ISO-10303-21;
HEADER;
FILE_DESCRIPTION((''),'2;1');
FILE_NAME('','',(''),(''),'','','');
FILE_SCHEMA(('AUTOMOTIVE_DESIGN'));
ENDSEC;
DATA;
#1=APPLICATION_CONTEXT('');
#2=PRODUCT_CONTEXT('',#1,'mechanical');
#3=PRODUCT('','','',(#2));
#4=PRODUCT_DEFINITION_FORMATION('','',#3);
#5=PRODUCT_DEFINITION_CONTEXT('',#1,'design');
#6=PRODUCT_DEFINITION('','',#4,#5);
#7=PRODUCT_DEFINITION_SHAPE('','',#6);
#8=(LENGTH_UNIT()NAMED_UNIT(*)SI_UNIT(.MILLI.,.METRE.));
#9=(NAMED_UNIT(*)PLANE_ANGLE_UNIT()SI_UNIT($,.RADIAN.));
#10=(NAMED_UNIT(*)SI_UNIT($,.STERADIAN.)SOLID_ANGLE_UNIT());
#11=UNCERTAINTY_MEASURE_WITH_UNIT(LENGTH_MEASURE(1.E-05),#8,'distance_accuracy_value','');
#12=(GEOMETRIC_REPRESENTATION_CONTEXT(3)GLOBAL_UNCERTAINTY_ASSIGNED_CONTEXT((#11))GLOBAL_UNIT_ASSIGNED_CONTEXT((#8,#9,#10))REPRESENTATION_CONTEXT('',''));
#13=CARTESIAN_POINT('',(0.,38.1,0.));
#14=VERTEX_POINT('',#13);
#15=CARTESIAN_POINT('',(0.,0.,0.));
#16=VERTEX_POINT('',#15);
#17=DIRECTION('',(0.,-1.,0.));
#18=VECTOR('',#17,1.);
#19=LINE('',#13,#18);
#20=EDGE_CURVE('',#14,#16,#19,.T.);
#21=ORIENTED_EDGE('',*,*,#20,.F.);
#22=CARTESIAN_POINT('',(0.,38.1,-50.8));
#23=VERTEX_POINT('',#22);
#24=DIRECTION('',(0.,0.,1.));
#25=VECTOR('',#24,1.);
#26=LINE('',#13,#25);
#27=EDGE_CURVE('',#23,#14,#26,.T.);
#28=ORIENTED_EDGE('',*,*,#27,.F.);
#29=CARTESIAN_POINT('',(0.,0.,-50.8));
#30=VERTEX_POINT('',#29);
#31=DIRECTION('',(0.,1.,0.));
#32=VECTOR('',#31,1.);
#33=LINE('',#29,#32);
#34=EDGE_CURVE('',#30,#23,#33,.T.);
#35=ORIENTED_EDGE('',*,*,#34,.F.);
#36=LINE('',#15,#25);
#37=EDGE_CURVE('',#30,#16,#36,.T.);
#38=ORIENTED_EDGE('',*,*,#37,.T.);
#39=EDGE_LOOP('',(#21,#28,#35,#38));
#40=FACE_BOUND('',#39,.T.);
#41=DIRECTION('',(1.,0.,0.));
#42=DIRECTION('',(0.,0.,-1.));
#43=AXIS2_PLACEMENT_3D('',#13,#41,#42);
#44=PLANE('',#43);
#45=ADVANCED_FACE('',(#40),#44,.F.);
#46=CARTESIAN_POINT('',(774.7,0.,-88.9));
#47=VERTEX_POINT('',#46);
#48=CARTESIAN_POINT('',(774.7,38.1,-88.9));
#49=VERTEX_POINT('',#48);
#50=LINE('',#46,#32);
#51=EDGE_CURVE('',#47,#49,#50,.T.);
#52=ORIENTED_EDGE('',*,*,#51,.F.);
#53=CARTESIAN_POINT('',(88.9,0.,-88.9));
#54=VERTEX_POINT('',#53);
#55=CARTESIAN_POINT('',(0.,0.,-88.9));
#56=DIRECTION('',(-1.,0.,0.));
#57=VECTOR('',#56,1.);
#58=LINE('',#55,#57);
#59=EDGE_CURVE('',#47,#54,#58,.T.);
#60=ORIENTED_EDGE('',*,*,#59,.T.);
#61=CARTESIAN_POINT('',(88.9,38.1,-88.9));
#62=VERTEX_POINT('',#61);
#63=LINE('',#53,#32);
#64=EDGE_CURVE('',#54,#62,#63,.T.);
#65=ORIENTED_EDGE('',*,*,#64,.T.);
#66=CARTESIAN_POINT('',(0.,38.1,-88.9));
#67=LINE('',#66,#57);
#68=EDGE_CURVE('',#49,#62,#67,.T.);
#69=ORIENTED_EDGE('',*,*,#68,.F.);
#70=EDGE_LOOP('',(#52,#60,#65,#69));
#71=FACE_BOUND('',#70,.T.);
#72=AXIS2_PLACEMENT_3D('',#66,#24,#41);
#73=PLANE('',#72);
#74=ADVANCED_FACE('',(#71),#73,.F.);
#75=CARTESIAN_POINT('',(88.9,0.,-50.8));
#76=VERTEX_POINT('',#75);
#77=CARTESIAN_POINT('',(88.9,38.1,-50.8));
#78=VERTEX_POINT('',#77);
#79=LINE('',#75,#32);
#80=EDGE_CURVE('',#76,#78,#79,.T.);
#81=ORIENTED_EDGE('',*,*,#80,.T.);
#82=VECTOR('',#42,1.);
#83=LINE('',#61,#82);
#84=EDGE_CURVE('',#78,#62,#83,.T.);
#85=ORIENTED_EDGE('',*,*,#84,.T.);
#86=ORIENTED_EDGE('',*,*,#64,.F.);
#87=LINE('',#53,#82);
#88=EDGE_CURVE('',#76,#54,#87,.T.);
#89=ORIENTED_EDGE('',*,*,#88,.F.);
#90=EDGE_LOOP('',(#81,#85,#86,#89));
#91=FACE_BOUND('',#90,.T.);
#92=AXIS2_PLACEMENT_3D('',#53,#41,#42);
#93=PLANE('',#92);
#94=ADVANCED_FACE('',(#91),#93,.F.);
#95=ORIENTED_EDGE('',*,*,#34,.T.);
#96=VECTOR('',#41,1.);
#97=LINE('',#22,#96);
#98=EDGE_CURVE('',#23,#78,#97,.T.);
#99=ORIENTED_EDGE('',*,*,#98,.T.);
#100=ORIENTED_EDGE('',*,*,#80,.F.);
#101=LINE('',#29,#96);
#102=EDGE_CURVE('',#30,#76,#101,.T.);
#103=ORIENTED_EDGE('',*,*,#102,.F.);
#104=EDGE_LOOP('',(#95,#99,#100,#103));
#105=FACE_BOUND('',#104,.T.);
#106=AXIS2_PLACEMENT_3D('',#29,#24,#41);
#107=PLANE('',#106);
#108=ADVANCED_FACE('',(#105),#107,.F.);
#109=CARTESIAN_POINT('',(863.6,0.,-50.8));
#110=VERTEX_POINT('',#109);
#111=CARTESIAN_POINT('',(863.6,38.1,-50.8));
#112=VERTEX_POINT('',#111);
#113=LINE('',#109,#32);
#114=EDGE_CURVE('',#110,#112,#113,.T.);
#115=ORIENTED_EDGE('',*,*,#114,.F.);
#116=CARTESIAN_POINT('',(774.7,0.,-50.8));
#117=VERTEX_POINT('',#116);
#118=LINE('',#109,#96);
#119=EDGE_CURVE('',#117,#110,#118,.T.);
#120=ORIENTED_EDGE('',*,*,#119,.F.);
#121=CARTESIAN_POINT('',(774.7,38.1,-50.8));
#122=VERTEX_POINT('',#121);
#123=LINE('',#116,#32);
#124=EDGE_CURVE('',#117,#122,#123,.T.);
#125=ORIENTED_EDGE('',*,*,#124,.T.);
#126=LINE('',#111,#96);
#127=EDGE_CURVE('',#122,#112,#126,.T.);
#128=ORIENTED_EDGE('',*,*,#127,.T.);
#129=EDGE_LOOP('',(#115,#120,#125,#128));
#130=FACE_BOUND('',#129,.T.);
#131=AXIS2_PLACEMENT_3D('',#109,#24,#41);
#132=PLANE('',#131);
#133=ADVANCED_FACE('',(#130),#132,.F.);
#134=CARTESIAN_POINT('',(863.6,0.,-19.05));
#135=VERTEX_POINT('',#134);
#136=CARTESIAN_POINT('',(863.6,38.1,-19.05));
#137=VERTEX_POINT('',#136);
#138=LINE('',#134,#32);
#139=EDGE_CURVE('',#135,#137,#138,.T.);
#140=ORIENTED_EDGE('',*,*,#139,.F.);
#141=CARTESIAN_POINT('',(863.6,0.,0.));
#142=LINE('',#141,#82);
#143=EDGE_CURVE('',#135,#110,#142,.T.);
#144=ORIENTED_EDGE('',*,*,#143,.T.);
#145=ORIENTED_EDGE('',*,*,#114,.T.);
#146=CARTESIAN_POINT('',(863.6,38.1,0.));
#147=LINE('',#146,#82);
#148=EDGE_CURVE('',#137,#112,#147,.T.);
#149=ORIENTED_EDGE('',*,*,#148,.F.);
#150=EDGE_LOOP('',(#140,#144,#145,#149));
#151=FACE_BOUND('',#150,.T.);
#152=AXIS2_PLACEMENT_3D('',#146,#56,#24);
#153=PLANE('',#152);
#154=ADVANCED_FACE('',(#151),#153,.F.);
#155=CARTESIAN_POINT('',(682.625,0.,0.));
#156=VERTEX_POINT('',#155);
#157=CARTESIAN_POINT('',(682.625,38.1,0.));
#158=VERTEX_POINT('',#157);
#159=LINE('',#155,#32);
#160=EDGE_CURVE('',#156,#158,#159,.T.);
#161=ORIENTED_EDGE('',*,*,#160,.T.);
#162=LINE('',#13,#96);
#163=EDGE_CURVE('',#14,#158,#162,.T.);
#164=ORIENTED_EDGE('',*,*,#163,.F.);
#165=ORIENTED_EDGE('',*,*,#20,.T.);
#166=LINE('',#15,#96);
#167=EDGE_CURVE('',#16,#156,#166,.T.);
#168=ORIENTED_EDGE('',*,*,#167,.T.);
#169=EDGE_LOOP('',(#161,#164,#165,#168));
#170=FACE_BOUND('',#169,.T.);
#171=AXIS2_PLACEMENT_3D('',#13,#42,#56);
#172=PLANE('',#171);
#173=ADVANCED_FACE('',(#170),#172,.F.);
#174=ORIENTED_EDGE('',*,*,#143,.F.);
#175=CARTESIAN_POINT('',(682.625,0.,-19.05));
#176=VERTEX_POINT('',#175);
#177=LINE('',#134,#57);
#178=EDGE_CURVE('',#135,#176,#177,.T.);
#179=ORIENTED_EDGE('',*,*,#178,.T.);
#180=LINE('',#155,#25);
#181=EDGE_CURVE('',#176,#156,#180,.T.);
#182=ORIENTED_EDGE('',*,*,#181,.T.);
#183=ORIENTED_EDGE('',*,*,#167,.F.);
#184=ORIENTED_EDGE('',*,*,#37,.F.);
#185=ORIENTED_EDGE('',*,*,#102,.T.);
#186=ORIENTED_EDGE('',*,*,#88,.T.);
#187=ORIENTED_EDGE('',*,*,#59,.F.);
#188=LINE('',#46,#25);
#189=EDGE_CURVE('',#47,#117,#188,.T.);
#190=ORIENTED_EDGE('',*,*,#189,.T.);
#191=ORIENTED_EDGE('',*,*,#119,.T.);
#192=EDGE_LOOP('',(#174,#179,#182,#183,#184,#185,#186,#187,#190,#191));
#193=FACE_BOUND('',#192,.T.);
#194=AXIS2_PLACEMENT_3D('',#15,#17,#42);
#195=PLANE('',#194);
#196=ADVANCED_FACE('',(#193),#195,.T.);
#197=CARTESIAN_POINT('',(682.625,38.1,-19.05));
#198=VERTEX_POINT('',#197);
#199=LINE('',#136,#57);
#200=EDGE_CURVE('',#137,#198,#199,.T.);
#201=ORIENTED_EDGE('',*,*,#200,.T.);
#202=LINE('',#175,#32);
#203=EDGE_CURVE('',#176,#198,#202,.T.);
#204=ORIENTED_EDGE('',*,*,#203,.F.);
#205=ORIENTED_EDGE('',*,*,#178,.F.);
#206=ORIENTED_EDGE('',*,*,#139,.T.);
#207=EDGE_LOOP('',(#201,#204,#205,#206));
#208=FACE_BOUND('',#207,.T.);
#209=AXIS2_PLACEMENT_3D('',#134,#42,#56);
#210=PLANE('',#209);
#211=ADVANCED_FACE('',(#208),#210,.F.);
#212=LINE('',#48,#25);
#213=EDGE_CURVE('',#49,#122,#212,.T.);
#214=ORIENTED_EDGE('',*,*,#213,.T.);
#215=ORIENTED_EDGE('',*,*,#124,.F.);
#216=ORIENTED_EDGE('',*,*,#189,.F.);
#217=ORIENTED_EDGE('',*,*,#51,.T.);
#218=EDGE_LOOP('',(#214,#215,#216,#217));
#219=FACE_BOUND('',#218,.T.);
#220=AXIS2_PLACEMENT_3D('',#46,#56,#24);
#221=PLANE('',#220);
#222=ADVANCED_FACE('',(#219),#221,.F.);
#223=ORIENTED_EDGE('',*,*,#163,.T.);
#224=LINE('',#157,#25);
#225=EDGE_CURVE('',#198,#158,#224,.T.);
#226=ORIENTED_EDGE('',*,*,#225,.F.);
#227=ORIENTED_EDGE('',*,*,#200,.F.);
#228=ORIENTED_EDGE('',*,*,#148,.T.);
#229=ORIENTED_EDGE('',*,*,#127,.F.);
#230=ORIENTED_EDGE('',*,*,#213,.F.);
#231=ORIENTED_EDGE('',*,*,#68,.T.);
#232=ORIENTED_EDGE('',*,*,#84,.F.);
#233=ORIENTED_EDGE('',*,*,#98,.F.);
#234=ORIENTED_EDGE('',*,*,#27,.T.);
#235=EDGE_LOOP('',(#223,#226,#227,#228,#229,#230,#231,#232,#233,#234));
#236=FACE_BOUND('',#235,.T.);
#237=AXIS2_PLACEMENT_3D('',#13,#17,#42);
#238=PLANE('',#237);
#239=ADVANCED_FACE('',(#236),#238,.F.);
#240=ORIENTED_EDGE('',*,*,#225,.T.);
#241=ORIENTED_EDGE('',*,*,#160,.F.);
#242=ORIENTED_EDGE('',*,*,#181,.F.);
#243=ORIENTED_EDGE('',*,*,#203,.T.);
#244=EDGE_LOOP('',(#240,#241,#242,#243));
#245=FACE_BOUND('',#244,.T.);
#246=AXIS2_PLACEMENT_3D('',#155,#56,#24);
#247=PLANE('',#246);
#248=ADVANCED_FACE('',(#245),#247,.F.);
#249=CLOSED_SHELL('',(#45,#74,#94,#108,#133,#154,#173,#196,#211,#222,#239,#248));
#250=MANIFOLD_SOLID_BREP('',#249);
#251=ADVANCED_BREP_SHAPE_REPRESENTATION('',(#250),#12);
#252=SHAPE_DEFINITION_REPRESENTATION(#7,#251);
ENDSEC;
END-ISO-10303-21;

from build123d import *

# Parameters (mm, degrees)
SKETCH1_W           = 863.6
SKETCH1_H           = 88.9
BOSS_EXTRUDE1_DEPTH = 38.1
SKETCH3_W           = 88.9
SKETCH3_H           = 38.1
CUT_EXTRUDE1_DEPTH  = 39.1
SKETCH4_W           = 180.975
SKETCH4_H           = 19.05
CUT_EXTRUDE2_DEPTH  = 39.1


with BuildPart() as part:
    # Sketch1 → Boss-Extrude1 (new body)
    with BuildSketch(Plane(origin=(0, 0, 0), x_dir=(1, 0, 0), z_dir=(0, 1, 0))):
        with Locations((431.8, 44.45)):
            Rectangle(SKETCH1_W, SKETCH1_H)
    extrude(amount=BOSS_EXTRUDE1_DEPTH)

    # Sketch3 → Cut-Extrude1 (cut, through all)
    with BuildSketch(Plane(origin=(0, 38.1, 0), x_dir=(1, 0, 0), z_dir=(0, 1, 0))):
        with Locations((44.45, 69.85)):
            Rectangle(SKETCH3_W, SKETCH3_H)
        with Locations((819.15, 69.85)):
            Rectangle(SKETCH3_W, SKETCH3_H)
    extrude(amount=-CUT_EXTRUDE1_DEPTH, mode=Mode.SUBTRACT)

    # Sketch4 → Cut-Extrude2 (cut, through all)
    with BuildSketch(Plane(origin=(0, 38.1, 0), x_dir=(1, 0, 0), z_dir=(0, 1, 0))):
        with Locations((773.1125, 9.525)):
            Rectangle(SKETCH4_W, SKETCH4_H)
    extrude(amount=-CUT_EXTRUDE2_DEPTH, mode=Mode.SUBTRACT)


solid = part.part
